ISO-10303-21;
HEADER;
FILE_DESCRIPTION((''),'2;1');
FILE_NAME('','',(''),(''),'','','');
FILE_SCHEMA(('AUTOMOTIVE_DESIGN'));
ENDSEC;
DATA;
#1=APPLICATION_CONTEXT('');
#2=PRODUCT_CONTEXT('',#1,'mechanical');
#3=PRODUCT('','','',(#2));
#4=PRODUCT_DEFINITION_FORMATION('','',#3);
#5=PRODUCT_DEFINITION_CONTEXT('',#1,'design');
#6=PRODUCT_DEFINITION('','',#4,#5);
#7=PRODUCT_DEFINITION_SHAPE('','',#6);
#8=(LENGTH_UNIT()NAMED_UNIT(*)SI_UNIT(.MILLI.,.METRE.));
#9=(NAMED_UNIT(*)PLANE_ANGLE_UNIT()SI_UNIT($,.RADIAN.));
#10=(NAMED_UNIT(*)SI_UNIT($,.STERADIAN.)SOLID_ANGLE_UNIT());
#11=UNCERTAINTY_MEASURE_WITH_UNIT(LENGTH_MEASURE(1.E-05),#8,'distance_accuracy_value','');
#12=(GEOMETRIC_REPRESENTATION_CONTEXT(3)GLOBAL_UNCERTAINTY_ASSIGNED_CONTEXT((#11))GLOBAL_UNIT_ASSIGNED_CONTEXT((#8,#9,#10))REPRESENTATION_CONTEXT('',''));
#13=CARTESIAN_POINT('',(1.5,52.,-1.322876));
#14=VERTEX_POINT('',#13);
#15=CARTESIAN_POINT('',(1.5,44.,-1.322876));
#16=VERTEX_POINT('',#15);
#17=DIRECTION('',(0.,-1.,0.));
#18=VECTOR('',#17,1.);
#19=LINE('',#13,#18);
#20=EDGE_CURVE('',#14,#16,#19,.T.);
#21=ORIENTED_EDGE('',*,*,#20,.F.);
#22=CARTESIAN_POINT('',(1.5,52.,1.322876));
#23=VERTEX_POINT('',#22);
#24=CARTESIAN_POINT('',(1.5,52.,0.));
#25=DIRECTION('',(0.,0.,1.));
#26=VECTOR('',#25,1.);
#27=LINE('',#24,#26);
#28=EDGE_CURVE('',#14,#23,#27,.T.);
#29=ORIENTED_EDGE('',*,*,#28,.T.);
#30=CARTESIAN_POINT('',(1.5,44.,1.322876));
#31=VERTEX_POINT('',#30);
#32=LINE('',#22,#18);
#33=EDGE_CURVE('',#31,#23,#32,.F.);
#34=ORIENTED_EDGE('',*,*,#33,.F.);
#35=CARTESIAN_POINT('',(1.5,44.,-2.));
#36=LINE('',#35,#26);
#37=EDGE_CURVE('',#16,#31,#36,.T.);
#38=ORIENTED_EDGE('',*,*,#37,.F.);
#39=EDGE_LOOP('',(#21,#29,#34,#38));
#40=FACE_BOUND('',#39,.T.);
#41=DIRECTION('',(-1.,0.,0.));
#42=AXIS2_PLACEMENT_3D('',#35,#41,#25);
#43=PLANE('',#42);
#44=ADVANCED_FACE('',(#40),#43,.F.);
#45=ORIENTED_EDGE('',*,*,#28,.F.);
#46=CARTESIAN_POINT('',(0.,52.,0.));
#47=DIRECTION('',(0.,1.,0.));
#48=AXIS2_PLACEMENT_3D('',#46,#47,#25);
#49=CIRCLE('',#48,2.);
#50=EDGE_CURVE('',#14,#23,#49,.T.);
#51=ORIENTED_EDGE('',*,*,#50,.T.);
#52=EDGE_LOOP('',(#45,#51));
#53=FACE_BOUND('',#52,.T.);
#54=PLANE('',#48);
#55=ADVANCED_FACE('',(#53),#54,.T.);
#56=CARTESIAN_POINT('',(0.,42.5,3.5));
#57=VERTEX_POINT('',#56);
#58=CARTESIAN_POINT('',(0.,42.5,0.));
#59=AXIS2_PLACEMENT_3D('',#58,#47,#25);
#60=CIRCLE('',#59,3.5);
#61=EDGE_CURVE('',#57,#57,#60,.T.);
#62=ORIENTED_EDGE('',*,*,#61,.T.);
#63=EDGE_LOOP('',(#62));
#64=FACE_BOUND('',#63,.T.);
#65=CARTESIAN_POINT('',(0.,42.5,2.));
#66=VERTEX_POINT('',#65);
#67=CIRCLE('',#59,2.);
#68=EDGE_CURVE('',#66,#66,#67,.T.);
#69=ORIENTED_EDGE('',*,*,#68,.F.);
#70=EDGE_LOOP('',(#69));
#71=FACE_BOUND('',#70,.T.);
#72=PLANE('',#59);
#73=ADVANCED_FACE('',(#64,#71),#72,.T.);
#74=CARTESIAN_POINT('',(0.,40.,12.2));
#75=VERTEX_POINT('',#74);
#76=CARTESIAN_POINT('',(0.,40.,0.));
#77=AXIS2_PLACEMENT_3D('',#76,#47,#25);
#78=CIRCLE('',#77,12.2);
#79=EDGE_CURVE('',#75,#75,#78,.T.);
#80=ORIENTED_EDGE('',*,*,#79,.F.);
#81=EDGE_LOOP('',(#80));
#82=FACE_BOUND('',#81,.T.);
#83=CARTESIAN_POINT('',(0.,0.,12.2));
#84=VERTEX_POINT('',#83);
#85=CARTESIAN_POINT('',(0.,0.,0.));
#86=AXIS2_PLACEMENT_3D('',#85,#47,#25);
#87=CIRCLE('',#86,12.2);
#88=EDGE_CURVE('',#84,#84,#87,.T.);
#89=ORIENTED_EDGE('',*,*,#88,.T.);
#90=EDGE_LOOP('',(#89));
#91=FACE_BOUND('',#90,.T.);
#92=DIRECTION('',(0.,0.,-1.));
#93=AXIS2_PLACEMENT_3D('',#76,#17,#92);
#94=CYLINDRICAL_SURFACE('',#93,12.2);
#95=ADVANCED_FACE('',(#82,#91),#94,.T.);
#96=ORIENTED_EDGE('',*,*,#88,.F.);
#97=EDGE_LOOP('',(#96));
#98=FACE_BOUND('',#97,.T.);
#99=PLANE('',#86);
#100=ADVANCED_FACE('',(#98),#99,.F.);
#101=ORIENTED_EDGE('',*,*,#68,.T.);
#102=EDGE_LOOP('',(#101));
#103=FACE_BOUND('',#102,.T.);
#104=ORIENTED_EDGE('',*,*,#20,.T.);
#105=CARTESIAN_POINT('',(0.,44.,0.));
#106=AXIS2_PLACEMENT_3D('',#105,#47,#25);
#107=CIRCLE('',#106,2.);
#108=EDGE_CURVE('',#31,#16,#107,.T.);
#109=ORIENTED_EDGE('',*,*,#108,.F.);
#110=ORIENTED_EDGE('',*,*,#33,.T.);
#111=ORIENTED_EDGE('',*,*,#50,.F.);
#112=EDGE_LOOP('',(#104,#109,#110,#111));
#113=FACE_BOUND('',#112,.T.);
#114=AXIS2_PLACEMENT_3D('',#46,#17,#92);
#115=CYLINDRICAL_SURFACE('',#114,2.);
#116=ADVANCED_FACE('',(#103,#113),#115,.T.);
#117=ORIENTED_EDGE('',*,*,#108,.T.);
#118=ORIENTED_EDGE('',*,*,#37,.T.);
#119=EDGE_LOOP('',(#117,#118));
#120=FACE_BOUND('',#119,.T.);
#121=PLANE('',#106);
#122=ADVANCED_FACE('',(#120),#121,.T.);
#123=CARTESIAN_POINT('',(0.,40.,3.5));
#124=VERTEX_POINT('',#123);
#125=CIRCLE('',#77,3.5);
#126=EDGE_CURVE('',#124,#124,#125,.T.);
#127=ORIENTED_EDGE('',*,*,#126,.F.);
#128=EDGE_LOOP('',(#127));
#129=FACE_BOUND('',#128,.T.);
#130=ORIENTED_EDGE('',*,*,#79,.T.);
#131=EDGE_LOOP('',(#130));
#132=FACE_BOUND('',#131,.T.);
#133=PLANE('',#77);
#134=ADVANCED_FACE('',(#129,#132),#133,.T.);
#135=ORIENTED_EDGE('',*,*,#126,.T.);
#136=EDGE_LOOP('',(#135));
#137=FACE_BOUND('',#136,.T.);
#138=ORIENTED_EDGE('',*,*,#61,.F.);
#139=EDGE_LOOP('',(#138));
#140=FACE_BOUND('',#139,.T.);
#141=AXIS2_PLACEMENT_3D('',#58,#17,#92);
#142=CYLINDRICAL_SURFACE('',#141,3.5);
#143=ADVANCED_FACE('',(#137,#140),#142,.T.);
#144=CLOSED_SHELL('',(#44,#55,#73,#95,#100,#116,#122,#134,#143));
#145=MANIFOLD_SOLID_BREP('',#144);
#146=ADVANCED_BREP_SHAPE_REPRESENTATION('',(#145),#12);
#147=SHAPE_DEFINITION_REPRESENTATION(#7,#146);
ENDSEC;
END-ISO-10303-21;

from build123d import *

# Parameters (mm, degrees)
SKETCH1_R           = 12.2
BOSS_EXTRUDE1_DEPTH = 40
SKETCH2_R           = 3.5
BOSS_EXTRUDE2_DEPTH = 2.5
SKETCH3_R           = 2
BOSS_EXTRUDE3_DEPTH = 9.5
SKETCH4_W           = 1
SKETCH4_H           = 4
CUT_EXTRUDE1_DEPTH  = 8


with BuildPart() as part:
    # Sketch1 → Boss-Extrude1 (new body)
    with BuildSketch(Plane(origin=(0, 0, 0), x_dir=(1, 0, 0), z_dir=(0, 1, 0))):
        with Locations(Location((0, 0, 0), (0, 0, 270))):
            Circle(SKETCH1_R)
    extrude(amount=BOSS_EXTRUDE1_DEPTH)

    # Sketch2 → Boss-Extrude2 (add)
    with BuildSketch(Plane(origin=(0, 40, 0), x_dir=(1, 0, 0), z_dir=(0, 1, 0))):
        with Locations(Location((0, 0, 0), (0, 0, 270))):
            Circle(SKETCH2_R)
    extrude(amount=BOSS_EXTRUDE2_DEPTH)

    # Sketch3 → Boss-Extrude3 (add)
    with BuildSketch(Plane(origin=(0, 42.5, 0), x_dir=(1, 0, 0), z_dir=(0, 1, 0))):
        with Locations(Location((0, 0, 0), (0, 0, 270))):
            Circle(SKETCH3_R)
    extrude(amount=BOSS_EXTRUDE3_DEPTH)

    # Sketch4 → Cut-Extrude1 (cut)
    with BuildSketch(Plane(origin=(0, 52, 0), x_dir=(1, 0, 0), z_dir=(0, 1, 0))):
        with Locations((2, 0)):
            Rectangle(SKETCH4_W, SKETCH4_H)
    extrude(amount=-CUT_EXTRUDE1_DEPTH, mode=Mode.SUBTRACT)


solid = part.part
